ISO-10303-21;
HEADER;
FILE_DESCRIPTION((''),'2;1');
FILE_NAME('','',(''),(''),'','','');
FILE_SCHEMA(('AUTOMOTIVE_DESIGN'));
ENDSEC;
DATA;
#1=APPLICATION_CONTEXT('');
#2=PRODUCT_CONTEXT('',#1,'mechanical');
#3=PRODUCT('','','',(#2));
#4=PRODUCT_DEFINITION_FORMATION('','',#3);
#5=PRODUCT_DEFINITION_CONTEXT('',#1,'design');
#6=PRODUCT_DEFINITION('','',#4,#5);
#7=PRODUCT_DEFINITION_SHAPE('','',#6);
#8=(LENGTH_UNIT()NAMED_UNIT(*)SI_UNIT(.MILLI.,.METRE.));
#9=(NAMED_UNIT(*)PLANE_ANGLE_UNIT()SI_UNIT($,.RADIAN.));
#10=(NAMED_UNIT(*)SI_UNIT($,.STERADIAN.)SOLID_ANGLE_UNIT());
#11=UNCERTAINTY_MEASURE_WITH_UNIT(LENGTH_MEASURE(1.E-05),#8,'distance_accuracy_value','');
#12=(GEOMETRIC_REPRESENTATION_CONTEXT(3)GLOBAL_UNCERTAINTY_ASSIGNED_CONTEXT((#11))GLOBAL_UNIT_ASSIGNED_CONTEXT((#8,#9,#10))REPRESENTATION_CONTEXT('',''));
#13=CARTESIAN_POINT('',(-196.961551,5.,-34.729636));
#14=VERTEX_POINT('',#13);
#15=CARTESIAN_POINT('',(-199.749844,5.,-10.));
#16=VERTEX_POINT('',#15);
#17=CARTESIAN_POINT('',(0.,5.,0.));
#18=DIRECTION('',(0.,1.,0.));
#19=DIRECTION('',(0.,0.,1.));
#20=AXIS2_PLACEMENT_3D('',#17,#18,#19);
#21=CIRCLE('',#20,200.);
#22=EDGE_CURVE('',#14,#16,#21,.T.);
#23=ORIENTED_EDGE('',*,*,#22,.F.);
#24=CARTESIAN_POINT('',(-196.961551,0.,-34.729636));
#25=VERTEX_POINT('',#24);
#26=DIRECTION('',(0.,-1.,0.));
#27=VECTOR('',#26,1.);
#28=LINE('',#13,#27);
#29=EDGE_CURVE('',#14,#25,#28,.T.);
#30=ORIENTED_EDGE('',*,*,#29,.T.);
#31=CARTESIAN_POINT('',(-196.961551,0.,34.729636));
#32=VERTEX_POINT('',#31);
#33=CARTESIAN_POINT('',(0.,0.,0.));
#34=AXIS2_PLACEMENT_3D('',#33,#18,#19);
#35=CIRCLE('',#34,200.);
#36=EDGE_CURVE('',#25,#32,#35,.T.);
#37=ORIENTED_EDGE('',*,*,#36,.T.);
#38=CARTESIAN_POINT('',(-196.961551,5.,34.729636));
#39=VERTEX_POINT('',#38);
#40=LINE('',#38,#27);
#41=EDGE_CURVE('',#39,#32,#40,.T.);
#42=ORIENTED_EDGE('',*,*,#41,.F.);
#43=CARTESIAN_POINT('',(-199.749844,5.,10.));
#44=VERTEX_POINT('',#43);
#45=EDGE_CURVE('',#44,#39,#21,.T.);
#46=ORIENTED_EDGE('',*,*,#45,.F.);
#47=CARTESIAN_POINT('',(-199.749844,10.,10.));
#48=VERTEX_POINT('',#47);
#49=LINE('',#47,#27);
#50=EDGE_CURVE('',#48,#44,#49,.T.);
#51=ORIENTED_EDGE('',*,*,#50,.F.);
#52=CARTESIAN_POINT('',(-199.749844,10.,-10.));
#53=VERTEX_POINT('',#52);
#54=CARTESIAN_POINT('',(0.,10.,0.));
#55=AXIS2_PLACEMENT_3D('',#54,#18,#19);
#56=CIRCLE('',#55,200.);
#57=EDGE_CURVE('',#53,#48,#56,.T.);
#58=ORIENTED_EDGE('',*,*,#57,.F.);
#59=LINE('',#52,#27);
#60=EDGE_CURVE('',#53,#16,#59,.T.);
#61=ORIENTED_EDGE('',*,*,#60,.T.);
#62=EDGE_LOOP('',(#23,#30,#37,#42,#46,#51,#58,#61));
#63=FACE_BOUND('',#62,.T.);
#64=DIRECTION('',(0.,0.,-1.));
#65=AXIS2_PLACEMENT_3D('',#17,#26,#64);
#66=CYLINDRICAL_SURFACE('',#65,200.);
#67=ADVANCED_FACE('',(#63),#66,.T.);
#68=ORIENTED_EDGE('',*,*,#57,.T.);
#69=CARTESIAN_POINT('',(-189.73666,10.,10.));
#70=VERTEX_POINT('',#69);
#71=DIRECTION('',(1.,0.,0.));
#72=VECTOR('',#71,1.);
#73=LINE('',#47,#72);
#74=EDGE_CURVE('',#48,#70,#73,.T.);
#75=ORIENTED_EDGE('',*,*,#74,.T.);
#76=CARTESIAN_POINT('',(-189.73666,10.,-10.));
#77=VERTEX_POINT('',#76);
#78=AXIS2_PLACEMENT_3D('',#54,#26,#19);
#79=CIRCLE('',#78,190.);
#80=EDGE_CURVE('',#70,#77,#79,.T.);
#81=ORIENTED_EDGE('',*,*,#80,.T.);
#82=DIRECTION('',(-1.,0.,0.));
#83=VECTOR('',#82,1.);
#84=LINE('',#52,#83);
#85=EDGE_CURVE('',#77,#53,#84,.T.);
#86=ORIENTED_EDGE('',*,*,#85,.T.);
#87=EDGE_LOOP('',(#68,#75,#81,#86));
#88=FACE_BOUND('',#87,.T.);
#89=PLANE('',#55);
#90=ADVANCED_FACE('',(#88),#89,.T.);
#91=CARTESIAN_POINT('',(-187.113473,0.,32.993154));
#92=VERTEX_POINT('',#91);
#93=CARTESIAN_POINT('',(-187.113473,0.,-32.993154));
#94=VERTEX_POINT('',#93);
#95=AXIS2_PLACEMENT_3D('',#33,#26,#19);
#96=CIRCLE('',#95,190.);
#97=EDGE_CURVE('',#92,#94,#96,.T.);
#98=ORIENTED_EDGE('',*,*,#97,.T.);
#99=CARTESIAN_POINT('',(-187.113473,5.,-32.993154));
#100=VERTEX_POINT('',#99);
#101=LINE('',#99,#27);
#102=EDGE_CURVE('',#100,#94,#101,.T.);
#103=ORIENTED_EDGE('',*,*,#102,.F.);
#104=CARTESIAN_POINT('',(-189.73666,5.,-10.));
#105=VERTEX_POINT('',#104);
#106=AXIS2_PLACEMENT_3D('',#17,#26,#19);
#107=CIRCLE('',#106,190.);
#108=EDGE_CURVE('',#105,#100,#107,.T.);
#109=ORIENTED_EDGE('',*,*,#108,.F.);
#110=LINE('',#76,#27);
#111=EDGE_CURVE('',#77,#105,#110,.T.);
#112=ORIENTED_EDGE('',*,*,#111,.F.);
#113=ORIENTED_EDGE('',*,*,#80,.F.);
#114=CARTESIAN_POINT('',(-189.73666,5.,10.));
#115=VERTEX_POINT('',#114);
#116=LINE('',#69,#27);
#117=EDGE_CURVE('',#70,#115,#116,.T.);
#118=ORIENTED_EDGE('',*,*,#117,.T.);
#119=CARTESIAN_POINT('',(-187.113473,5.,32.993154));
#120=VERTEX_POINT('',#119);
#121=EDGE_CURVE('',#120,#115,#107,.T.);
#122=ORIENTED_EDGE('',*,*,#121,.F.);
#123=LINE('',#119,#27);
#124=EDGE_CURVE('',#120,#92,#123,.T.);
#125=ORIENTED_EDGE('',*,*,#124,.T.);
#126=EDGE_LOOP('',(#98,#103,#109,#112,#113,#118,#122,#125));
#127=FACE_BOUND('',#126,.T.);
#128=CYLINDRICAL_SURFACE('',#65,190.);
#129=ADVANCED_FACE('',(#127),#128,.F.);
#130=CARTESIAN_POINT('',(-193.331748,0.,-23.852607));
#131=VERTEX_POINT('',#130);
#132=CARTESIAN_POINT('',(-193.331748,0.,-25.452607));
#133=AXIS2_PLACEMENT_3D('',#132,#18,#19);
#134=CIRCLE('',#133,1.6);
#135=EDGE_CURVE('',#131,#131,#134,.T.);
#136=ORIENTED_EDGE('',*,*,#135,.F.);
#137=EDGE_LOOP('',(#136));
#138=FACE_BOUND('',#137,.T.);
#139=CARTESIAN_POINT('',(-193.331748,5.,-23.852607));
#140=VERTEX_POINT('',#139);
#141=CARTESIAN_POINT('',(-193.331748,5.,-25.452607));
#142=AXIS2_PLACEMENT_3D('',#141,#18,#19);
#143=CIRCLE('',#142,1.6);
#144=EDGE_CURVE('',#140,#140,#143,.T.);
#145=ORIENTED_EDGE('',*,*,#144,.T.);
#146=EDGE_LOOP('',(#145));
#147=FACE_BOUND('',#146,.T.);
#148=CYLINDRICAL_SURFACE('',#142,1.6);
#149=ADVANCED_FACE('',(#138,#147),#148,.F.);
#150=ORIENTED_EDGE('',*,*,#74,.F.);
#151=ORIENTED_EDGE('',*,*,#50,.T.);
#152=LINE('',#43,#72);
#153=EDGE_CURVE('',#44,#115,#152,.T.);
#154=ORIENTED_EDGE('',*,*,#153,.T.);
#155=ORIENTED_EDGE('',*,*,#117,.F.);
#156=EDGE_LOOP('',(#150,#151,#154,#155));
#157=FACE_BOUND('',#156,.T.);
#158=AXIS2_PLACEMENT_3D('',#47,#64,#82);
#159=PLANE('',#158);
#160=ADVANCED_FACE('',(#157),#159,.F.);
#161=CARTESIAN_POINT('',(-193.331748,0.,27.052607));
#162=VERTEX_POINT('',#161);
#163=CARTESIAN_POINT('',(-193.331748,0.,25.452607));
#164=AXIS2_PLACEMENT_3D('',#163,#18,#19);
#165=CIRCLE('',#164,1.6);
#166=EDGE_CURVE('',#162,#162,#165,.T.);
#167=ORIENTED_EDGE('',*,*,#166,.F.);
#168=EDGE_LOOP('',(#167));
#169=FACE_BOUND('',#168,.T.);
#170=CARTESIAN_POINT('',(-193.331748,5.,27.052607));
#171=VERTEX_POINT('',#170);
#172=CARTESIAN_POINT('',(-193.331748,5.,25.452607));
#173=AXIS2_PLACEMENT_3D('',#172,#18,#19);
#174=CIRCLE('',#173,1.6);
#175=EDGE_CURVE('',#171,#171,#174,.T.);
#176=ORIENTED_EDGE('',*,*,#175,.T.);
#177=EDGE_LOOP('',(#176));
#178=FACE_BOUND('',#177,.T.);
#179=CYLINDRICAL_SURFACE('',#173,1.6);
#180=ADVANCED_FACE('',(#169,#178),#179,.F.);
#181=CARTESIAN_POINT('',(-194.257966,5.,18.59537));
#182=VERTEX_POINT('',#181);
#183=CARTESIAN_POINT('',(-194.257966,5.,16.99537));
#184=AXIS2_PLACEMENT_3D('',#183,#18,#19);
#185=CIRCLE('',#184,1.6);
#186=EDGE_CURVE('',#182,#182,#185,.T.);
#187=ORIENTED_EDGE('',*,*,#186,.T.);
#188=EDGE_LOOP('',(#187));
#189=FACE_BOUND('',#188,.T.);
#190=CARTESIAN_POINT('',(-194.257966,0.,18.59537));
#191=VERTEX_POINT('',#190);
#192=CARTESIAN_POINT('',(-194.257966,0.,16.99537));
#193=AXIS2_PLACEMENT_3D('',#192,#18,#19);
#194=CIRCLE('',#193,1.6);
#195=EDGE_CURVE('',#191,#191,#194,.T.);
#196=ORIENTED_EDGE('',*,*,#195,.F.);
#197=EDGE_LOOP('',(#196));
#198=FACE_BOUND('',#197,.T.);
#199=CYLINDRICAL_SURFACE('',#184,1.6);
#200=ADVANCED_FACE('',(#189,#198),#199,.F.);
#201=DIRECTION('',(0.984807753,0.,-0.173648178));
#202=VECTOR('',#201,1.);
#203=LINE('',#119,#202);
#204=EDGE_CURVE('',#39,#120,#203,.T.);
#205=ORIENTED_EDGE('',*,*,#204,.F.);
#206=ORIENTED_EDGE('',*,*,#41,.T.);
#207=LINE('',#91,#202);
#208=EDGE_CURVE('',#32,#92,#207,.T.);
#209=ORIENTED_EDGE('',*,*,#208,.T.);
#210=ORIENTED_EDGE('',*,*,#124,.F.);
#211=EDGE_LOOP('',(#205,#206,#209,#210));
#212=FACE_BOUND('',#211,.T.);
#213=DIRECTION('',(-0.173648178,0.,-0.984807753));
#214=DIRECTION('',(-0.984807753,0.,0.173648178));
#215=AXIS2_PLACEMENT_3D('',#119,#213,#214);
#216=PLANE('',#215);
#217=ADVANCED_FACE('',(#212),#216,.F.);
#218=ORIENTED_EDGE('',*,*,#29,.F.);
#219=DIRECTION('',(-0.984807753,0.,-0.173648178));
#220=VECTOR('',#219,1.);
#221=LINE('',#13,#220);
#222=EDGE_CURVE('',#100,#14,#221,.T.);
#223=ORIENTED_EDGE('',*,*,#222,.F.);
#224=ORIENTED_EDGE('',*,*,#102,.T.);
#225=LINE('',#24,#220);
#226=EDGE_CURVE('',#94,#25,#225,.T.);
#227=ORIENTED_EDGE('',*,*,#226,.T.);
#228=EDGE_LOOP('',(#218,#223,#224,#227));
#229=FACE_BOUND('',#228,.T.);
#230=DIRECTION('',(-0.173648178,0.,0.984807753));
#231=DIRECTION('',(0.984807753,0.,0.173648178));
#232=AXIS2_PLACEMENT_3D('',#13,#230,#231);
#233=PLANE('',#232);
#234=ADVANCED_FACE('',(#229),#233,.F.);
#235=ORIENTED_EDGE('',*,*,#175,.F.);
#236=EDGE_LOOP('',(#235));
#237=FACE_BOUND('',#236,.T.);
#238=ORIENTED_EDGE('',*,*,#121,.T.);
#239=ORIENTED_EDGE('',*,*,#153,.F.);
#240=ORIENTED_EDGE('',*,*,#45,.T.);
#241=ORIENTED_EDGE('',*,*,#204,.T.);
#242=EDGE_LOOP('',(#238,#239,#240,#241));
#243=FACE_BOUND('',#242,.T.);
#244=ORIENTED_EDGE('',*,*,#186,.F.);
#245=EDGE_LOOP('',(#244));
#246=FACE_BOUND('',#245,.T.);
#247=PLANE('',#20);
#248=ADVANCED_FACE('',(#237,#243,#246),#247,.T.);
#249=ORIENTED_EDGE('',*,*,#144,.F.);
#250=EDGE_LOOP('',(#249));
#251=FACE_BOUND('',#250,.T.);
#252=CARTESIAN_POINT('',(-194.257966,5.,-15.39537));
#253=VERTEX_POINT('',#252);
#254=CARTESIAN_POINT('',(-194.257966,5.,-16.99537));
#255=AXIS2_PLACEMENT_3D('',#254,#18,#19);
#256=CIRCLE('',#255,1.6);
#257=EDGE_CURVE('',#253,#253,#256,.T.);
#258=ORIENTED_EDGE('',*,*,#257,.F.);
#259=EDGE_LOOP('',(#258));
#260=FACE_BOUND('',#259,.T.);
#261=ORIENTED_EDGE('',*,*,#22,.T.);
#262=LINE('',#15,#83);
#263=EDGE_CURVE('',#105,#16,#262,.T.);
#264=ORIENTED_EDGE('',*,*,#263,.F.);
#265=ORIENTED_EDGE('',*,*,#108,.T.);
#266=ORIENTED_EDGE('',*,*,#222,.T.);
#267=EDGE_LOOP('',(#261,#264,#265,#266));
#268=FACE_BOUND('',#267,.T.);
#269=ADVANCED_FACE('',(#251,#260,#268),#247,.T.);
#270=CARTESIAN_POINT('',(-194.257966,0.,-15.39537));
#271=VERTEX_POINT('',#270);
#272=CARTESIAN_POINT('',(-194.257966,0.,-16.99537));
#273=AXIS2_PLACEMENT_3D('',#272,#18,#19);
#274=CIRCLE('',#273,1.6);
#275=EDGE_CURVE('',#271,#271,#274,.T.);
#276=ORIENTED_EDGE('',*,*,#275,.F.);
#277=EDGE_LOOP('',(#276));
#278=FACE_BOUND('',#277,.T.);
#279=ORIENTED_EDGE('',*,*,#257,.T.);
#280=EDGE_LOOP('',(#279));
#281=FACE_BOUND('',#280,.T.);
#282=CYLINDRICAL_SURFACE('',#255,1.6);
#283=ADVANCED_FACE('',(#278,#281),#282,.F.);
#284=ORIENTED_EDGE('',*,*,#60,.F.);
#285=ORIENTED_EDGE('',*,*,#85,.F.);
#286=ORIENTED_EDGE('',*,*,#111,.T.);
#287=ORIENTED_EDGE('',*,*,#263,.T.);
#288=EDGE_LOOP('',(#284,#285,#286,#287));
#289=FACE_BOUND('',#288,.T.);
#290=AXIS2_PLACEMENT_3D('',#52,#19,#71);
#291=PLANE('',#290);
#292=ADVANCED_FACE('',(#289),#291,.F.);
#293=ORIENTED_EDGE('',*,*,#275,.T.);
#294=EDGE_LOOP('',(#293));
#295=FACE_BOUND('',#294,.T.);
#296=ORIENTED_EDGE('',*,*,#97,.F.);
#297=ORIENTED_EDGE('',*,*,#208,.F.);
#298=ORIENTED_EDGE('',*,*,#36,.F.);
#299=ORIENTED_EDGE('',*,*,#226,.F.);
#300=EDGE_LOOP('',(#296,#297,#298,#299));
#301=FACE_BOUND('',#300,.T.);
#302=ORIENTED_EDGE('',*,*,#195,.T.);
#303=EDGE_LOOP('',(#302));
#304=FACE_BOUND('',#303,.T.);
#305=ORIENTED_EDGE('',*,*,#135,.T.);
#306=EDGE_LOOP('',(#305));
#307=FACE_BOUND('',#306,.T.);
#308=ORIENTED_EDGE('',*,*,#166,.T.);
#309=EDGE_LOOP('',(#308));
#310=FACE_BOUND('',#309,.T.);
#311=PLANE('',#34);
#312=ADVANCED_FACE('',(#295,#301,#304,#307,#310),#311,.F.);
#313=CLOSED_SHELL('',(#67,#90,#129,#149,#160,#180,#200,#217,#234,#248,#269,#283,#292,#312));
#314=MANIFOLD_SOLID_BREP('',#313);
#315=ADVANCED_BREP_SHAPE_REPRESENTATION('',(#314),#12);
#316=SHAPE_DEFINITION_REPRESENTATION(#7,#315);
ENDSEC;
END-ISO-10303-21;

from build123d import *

# Parameters (mm, degrees)
BOSS_EXTRUDE1_DEPTH        = 5
BOSS_EXTRUDE2_DEPTH        = 5
F_3_2_3_2_DIAMETER_HOLE1_D = 3.2


with BuildPart() as part:
    # Sketch1 → Boss-Extrude1 (new body)
    with BuildSketch(Plane(origin=(0, 0, 0), x_dir=(1, 0, 0), z_dir=(0, 1, 0))):
        with BuildLine():
            Line((-196.961550602, 34.729635533), (-187.113473072, 32.993153757))
            ThreePointArc((-187.113473072, 32.993153757), (-190, 0), (-187.113473072, -32.993153757))
            Line((-187.113473072, -32.993153757), (-196.961550602, -34.729635533))
            ThreePointArc((-196.961550602, -34.729635533), (-200, 0), (-196.961550602, 34.729635533))
        make_face()
    extrude(amount=BOSS_EXTRUDE1_DEPTH)

    # Sketch9 → Boss-Extrude2 (add)
    with BuildSketch(Plane(origin=(0, 5, 0), x_dir=(1, 0, 0), z_dir=(0, 1, 0))):
        with BuildLine():
            Line((-199.749843554, 10), (-189.73665961, 10))
            ThreePointArc((-189.73665961, 10), (-190, 0), (-189.73665961, -10))
            Line((-189.73665961, -10), (-199.749843554, -10))
            ThreePointArc((-199.749843554, -10), (-200, 0), (-199.749843554, 10))
        make_face()
    extrude(amount=BOSS_EXTRUDE2_DEPTH)

    # Ø3.2 (3.2) Diameter Hole1 (through all)
    with Locations(Plane(origin=(0, 5, 0), x_dir=(1, 0, 0), z_dir=(0, 1, 0))):
        with Locations((-194.257966128, 16.995369836), (-193.331747968, 25.452607483), (-194.257966128, -16.995369836), (-193.331747968, -25.452607483)):
            Hole(F_3_2_3_2_DIAMETER_HOLE1_D / 2)


solid = part.part
